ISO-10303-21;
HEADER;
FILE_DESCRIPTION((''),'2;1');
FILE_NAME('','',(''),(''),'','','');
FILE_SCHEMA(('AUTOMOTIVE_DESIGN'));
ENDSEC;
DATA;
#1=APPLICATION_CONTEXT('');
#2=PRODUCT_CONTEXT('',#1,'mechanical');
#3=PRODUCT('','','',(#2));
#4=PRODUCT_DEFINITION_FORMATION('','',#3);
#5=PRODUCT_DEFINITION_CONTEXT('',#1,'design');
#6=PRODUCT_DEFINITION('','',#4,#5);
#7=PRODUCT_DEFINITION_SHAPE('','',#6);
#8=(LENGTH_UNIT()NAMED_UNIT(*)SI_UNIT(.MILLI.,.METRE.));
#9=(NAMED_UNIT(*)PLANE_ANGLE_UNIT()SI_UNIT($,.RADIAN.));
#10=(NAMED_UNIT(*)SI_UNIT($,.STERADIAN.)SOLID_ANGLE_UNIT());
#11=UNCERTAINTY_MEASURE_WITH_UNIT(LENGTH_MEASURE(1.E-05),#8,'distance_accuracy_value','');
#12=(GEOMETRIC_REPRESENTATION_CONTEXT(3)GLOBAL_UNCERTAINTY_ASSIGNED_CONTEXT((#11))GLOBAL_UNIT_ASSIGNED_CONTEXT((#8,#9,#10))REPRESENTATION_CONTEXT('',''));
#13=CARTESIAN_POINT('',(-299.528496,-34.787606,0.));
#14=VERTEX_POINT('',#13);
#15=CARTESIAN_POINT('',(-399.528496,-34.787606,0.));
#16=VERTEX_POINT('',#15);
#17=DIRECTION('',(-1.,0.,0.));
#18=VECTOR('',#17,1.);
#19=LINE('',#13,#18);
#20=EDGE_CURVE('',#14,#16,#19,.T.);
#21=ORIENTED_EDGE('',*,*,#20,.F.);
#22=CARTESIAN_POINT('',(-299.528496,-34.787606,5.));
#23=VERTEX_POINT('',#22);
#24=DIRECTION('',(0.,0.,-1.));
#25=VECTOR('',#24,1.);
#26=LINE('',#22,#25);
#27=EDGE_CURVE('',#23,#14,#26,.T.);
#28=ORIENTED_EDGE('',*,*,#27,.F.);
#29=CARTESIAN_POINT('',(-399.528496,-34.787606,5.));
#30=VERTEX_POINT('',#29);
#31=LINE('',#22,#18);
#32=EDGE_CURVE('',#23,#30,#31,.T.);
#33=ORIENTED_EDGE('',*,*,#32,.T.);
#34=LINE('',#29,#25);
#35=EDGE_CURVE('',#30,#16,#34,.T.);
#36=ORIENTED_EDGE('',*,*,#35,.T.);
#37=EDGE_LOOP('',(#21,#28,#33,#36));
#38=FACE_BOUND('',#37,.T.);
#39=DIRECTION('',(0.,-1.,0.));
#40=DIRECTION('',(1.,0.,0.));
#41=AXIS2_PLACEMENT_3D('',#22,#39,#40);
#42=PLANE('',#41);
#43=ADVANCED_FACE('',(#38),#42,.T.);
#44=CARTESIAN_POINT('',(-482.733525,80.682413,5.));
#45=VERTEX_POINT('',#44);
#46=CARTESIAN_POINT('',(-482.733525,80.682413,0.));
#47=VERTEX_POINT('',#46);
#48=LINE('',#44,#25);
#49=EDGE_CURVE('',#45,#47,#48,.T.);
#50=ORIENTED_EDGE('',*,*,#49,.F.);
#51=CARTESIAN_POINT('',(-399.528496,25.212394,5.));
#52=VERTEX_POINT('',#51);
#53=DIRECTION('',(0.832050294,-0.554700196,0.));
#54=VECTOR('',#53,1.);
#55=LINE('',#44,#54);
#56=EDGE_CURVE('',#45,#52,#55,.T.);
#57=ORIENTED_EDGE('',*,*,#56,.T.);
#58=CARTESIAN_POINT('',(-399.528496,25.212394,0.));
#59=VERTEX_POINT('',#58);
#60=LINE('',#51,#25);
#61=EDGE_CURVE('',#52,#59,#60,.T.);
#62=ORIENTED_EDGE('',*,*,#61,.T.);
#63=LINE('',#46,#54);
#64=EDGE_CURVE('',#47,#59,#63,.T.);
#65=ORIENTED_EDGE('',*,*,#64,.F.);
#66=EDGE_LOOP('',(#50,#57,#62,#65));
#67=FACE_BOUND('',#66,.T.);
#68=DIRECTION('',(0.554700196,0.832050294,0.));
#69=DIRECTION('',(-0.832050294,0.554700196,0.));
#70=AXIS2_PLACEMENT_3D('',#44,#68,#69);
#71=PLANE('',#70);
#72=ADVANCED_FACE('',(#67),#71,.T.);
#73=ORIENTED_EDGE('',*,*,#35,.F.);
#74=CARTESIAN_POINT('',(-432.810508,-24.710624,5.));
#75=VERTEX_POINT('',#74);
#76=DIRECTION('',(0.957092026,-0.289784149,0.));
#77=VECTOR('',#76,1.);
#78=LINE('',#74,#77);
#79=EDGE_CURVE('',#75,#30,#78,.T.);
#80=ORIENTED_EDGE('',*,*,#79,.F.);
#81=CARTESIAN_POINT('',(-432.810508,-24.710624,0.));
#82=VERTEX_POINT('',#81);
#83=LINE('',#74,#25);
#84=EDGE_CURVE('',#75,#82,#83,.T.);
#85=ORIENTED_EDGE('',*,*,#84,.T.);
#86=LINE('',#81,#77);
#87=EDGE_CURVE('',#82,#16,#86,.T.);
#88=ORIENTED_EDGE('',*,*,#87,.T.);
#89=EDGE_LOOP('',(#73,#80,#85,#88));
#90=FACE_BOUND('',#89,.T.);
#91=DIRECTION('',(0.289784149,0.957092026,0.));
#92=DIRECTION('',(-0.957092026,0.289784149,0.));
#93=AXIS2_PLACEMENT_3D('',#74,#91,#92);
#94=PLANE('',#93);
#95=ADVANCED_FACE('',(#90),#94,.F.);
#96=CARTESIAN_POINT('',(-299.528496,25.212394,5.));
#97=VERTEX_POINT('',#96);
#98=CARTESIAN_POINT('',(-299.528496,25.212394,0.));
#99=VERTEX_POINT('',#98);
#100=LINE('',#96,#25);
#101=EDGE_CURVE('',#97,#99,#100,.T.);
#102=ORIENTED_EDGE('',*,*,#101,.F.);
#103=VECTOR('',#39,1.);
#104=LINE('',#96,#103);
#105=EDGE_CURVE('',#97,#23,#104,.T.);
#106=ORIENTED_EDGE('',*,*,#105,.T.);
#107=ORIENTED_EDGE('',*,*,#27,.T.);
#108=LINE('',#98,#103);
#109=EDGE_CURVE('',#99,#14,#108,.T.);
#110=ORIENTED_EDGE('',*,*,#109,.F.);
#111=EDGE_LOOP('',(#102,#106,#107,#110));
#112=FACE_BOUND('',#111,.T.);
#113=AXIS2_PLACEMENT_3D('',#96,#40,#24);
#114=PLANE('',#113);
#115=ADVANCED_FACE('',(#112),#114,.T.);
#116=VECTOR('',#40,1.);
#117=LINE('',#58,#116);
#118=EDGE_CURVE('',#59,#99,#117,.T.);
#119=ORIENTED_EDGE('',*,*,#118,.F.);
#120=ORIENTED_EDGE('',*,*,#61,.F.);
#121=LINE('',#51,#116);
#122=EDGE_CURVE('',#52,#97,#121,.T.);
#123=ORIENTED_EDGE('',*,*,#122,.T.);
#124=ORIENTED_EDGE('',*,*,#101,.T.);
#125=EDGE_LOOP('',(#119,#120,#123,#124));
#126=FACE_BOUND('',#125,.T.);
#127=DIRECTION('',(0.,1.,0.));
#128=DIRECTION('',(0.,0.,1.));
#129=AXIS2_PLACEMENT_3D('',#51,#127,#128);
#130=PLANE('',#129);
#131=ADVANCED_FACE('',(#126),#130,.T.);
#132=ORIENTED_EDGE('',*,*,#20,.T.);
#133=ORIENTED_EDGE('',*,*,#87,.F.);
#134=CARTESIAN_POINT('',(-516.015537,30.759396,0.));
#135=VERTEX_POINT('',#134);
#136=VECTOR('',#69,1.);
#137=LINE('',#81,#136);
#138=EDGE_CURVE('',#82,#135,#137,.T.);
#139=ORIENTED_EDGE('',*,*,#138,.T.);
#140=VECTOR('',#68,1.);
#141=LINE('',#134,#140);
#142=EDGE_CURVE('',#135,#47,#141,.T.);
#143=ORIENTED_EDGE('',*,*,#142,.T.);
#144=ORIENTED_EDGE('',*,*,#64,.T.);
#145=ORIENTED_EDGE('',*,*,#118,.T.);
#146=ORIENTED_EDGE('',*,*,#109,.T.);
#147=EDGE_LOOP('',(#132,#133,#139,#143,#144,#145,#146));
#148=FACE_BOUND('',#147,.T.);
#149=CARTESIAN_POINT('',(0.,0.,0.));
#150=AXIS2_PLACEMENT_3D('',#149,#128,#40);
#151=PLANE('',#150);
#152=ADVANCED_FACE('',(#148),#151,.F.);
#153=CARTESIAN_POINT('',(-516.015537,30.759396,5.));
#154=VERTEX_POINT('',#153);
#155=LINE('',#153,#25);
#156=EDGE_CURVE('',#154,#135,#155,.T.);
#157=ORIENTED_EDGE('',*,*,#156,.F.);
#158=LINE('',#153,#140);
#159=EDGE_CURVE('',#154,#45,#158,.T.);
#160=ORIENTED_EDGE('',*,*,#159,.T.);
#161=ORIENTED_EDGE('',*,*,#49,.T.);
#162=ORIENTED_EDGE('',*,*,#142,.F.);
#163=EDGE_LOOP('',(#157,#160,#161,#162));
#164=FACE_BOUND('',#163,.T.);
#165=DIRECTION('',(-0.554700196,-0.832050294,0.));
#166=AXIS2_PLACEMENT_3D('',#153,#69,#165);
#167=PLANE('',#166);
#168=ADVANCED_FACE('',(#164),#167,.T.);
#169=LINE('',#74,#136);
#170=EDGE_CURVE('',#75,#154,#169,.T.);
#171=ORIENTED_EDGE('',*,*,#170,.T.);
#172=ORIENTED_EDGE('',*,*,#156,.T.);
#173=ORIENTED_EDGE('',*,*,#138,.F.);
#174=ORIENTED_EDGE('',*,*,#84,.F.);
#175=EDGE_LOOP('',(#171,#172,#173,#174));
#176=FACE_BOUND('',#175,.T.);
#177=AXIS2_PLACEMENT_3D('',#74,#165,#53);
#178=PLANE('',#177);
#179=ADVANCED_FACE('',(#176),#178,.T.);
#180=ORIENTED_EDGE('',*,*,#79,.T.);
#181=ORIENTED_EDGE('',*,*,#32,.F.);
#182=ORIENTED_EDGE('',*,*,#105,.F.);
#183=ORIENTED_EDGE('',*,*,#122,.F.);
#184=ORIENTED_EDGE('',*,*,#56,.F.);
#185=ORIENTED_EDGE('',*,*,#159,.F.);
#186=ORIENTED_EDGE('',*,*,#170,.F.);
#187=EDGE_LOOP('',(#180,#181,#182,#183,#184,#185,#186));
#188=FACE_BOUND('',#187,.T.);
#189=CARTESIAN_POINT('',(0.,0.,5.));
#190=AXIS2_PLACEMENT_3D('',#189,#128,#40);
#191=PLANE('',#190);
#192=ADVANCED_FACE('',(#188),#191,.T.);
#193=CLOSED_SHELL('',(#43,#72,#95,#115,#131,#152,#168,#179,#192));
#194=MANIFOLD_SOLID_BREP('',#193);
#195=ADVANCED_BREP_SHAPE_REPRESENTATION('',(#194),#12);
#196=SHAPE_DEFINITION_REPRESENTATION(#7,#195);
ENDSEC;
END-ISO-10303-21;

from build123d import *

# Parameters (mm, degrees)
BOSS_EXTRUDE4_DEPTH = 5


with BuildPart() as part:
    # Sketch1 → Boss-Extrude4 (new body)
    with BuildSketch(Plane.XY):
        Polygon((-482.733525219, 80.682413465), (-399.528495785, 25.212393843), (-299.528495785, 25.212393843), (-299.528495785, -34.787606157), (-399.528495785, -34.787606157), (-432.810507559, -24.710623817), (-516.015536993, 30.759395805), align=None)
    extrude(amount=BOSS_EXTRUDE4_DEPTH)


solid = part.part
